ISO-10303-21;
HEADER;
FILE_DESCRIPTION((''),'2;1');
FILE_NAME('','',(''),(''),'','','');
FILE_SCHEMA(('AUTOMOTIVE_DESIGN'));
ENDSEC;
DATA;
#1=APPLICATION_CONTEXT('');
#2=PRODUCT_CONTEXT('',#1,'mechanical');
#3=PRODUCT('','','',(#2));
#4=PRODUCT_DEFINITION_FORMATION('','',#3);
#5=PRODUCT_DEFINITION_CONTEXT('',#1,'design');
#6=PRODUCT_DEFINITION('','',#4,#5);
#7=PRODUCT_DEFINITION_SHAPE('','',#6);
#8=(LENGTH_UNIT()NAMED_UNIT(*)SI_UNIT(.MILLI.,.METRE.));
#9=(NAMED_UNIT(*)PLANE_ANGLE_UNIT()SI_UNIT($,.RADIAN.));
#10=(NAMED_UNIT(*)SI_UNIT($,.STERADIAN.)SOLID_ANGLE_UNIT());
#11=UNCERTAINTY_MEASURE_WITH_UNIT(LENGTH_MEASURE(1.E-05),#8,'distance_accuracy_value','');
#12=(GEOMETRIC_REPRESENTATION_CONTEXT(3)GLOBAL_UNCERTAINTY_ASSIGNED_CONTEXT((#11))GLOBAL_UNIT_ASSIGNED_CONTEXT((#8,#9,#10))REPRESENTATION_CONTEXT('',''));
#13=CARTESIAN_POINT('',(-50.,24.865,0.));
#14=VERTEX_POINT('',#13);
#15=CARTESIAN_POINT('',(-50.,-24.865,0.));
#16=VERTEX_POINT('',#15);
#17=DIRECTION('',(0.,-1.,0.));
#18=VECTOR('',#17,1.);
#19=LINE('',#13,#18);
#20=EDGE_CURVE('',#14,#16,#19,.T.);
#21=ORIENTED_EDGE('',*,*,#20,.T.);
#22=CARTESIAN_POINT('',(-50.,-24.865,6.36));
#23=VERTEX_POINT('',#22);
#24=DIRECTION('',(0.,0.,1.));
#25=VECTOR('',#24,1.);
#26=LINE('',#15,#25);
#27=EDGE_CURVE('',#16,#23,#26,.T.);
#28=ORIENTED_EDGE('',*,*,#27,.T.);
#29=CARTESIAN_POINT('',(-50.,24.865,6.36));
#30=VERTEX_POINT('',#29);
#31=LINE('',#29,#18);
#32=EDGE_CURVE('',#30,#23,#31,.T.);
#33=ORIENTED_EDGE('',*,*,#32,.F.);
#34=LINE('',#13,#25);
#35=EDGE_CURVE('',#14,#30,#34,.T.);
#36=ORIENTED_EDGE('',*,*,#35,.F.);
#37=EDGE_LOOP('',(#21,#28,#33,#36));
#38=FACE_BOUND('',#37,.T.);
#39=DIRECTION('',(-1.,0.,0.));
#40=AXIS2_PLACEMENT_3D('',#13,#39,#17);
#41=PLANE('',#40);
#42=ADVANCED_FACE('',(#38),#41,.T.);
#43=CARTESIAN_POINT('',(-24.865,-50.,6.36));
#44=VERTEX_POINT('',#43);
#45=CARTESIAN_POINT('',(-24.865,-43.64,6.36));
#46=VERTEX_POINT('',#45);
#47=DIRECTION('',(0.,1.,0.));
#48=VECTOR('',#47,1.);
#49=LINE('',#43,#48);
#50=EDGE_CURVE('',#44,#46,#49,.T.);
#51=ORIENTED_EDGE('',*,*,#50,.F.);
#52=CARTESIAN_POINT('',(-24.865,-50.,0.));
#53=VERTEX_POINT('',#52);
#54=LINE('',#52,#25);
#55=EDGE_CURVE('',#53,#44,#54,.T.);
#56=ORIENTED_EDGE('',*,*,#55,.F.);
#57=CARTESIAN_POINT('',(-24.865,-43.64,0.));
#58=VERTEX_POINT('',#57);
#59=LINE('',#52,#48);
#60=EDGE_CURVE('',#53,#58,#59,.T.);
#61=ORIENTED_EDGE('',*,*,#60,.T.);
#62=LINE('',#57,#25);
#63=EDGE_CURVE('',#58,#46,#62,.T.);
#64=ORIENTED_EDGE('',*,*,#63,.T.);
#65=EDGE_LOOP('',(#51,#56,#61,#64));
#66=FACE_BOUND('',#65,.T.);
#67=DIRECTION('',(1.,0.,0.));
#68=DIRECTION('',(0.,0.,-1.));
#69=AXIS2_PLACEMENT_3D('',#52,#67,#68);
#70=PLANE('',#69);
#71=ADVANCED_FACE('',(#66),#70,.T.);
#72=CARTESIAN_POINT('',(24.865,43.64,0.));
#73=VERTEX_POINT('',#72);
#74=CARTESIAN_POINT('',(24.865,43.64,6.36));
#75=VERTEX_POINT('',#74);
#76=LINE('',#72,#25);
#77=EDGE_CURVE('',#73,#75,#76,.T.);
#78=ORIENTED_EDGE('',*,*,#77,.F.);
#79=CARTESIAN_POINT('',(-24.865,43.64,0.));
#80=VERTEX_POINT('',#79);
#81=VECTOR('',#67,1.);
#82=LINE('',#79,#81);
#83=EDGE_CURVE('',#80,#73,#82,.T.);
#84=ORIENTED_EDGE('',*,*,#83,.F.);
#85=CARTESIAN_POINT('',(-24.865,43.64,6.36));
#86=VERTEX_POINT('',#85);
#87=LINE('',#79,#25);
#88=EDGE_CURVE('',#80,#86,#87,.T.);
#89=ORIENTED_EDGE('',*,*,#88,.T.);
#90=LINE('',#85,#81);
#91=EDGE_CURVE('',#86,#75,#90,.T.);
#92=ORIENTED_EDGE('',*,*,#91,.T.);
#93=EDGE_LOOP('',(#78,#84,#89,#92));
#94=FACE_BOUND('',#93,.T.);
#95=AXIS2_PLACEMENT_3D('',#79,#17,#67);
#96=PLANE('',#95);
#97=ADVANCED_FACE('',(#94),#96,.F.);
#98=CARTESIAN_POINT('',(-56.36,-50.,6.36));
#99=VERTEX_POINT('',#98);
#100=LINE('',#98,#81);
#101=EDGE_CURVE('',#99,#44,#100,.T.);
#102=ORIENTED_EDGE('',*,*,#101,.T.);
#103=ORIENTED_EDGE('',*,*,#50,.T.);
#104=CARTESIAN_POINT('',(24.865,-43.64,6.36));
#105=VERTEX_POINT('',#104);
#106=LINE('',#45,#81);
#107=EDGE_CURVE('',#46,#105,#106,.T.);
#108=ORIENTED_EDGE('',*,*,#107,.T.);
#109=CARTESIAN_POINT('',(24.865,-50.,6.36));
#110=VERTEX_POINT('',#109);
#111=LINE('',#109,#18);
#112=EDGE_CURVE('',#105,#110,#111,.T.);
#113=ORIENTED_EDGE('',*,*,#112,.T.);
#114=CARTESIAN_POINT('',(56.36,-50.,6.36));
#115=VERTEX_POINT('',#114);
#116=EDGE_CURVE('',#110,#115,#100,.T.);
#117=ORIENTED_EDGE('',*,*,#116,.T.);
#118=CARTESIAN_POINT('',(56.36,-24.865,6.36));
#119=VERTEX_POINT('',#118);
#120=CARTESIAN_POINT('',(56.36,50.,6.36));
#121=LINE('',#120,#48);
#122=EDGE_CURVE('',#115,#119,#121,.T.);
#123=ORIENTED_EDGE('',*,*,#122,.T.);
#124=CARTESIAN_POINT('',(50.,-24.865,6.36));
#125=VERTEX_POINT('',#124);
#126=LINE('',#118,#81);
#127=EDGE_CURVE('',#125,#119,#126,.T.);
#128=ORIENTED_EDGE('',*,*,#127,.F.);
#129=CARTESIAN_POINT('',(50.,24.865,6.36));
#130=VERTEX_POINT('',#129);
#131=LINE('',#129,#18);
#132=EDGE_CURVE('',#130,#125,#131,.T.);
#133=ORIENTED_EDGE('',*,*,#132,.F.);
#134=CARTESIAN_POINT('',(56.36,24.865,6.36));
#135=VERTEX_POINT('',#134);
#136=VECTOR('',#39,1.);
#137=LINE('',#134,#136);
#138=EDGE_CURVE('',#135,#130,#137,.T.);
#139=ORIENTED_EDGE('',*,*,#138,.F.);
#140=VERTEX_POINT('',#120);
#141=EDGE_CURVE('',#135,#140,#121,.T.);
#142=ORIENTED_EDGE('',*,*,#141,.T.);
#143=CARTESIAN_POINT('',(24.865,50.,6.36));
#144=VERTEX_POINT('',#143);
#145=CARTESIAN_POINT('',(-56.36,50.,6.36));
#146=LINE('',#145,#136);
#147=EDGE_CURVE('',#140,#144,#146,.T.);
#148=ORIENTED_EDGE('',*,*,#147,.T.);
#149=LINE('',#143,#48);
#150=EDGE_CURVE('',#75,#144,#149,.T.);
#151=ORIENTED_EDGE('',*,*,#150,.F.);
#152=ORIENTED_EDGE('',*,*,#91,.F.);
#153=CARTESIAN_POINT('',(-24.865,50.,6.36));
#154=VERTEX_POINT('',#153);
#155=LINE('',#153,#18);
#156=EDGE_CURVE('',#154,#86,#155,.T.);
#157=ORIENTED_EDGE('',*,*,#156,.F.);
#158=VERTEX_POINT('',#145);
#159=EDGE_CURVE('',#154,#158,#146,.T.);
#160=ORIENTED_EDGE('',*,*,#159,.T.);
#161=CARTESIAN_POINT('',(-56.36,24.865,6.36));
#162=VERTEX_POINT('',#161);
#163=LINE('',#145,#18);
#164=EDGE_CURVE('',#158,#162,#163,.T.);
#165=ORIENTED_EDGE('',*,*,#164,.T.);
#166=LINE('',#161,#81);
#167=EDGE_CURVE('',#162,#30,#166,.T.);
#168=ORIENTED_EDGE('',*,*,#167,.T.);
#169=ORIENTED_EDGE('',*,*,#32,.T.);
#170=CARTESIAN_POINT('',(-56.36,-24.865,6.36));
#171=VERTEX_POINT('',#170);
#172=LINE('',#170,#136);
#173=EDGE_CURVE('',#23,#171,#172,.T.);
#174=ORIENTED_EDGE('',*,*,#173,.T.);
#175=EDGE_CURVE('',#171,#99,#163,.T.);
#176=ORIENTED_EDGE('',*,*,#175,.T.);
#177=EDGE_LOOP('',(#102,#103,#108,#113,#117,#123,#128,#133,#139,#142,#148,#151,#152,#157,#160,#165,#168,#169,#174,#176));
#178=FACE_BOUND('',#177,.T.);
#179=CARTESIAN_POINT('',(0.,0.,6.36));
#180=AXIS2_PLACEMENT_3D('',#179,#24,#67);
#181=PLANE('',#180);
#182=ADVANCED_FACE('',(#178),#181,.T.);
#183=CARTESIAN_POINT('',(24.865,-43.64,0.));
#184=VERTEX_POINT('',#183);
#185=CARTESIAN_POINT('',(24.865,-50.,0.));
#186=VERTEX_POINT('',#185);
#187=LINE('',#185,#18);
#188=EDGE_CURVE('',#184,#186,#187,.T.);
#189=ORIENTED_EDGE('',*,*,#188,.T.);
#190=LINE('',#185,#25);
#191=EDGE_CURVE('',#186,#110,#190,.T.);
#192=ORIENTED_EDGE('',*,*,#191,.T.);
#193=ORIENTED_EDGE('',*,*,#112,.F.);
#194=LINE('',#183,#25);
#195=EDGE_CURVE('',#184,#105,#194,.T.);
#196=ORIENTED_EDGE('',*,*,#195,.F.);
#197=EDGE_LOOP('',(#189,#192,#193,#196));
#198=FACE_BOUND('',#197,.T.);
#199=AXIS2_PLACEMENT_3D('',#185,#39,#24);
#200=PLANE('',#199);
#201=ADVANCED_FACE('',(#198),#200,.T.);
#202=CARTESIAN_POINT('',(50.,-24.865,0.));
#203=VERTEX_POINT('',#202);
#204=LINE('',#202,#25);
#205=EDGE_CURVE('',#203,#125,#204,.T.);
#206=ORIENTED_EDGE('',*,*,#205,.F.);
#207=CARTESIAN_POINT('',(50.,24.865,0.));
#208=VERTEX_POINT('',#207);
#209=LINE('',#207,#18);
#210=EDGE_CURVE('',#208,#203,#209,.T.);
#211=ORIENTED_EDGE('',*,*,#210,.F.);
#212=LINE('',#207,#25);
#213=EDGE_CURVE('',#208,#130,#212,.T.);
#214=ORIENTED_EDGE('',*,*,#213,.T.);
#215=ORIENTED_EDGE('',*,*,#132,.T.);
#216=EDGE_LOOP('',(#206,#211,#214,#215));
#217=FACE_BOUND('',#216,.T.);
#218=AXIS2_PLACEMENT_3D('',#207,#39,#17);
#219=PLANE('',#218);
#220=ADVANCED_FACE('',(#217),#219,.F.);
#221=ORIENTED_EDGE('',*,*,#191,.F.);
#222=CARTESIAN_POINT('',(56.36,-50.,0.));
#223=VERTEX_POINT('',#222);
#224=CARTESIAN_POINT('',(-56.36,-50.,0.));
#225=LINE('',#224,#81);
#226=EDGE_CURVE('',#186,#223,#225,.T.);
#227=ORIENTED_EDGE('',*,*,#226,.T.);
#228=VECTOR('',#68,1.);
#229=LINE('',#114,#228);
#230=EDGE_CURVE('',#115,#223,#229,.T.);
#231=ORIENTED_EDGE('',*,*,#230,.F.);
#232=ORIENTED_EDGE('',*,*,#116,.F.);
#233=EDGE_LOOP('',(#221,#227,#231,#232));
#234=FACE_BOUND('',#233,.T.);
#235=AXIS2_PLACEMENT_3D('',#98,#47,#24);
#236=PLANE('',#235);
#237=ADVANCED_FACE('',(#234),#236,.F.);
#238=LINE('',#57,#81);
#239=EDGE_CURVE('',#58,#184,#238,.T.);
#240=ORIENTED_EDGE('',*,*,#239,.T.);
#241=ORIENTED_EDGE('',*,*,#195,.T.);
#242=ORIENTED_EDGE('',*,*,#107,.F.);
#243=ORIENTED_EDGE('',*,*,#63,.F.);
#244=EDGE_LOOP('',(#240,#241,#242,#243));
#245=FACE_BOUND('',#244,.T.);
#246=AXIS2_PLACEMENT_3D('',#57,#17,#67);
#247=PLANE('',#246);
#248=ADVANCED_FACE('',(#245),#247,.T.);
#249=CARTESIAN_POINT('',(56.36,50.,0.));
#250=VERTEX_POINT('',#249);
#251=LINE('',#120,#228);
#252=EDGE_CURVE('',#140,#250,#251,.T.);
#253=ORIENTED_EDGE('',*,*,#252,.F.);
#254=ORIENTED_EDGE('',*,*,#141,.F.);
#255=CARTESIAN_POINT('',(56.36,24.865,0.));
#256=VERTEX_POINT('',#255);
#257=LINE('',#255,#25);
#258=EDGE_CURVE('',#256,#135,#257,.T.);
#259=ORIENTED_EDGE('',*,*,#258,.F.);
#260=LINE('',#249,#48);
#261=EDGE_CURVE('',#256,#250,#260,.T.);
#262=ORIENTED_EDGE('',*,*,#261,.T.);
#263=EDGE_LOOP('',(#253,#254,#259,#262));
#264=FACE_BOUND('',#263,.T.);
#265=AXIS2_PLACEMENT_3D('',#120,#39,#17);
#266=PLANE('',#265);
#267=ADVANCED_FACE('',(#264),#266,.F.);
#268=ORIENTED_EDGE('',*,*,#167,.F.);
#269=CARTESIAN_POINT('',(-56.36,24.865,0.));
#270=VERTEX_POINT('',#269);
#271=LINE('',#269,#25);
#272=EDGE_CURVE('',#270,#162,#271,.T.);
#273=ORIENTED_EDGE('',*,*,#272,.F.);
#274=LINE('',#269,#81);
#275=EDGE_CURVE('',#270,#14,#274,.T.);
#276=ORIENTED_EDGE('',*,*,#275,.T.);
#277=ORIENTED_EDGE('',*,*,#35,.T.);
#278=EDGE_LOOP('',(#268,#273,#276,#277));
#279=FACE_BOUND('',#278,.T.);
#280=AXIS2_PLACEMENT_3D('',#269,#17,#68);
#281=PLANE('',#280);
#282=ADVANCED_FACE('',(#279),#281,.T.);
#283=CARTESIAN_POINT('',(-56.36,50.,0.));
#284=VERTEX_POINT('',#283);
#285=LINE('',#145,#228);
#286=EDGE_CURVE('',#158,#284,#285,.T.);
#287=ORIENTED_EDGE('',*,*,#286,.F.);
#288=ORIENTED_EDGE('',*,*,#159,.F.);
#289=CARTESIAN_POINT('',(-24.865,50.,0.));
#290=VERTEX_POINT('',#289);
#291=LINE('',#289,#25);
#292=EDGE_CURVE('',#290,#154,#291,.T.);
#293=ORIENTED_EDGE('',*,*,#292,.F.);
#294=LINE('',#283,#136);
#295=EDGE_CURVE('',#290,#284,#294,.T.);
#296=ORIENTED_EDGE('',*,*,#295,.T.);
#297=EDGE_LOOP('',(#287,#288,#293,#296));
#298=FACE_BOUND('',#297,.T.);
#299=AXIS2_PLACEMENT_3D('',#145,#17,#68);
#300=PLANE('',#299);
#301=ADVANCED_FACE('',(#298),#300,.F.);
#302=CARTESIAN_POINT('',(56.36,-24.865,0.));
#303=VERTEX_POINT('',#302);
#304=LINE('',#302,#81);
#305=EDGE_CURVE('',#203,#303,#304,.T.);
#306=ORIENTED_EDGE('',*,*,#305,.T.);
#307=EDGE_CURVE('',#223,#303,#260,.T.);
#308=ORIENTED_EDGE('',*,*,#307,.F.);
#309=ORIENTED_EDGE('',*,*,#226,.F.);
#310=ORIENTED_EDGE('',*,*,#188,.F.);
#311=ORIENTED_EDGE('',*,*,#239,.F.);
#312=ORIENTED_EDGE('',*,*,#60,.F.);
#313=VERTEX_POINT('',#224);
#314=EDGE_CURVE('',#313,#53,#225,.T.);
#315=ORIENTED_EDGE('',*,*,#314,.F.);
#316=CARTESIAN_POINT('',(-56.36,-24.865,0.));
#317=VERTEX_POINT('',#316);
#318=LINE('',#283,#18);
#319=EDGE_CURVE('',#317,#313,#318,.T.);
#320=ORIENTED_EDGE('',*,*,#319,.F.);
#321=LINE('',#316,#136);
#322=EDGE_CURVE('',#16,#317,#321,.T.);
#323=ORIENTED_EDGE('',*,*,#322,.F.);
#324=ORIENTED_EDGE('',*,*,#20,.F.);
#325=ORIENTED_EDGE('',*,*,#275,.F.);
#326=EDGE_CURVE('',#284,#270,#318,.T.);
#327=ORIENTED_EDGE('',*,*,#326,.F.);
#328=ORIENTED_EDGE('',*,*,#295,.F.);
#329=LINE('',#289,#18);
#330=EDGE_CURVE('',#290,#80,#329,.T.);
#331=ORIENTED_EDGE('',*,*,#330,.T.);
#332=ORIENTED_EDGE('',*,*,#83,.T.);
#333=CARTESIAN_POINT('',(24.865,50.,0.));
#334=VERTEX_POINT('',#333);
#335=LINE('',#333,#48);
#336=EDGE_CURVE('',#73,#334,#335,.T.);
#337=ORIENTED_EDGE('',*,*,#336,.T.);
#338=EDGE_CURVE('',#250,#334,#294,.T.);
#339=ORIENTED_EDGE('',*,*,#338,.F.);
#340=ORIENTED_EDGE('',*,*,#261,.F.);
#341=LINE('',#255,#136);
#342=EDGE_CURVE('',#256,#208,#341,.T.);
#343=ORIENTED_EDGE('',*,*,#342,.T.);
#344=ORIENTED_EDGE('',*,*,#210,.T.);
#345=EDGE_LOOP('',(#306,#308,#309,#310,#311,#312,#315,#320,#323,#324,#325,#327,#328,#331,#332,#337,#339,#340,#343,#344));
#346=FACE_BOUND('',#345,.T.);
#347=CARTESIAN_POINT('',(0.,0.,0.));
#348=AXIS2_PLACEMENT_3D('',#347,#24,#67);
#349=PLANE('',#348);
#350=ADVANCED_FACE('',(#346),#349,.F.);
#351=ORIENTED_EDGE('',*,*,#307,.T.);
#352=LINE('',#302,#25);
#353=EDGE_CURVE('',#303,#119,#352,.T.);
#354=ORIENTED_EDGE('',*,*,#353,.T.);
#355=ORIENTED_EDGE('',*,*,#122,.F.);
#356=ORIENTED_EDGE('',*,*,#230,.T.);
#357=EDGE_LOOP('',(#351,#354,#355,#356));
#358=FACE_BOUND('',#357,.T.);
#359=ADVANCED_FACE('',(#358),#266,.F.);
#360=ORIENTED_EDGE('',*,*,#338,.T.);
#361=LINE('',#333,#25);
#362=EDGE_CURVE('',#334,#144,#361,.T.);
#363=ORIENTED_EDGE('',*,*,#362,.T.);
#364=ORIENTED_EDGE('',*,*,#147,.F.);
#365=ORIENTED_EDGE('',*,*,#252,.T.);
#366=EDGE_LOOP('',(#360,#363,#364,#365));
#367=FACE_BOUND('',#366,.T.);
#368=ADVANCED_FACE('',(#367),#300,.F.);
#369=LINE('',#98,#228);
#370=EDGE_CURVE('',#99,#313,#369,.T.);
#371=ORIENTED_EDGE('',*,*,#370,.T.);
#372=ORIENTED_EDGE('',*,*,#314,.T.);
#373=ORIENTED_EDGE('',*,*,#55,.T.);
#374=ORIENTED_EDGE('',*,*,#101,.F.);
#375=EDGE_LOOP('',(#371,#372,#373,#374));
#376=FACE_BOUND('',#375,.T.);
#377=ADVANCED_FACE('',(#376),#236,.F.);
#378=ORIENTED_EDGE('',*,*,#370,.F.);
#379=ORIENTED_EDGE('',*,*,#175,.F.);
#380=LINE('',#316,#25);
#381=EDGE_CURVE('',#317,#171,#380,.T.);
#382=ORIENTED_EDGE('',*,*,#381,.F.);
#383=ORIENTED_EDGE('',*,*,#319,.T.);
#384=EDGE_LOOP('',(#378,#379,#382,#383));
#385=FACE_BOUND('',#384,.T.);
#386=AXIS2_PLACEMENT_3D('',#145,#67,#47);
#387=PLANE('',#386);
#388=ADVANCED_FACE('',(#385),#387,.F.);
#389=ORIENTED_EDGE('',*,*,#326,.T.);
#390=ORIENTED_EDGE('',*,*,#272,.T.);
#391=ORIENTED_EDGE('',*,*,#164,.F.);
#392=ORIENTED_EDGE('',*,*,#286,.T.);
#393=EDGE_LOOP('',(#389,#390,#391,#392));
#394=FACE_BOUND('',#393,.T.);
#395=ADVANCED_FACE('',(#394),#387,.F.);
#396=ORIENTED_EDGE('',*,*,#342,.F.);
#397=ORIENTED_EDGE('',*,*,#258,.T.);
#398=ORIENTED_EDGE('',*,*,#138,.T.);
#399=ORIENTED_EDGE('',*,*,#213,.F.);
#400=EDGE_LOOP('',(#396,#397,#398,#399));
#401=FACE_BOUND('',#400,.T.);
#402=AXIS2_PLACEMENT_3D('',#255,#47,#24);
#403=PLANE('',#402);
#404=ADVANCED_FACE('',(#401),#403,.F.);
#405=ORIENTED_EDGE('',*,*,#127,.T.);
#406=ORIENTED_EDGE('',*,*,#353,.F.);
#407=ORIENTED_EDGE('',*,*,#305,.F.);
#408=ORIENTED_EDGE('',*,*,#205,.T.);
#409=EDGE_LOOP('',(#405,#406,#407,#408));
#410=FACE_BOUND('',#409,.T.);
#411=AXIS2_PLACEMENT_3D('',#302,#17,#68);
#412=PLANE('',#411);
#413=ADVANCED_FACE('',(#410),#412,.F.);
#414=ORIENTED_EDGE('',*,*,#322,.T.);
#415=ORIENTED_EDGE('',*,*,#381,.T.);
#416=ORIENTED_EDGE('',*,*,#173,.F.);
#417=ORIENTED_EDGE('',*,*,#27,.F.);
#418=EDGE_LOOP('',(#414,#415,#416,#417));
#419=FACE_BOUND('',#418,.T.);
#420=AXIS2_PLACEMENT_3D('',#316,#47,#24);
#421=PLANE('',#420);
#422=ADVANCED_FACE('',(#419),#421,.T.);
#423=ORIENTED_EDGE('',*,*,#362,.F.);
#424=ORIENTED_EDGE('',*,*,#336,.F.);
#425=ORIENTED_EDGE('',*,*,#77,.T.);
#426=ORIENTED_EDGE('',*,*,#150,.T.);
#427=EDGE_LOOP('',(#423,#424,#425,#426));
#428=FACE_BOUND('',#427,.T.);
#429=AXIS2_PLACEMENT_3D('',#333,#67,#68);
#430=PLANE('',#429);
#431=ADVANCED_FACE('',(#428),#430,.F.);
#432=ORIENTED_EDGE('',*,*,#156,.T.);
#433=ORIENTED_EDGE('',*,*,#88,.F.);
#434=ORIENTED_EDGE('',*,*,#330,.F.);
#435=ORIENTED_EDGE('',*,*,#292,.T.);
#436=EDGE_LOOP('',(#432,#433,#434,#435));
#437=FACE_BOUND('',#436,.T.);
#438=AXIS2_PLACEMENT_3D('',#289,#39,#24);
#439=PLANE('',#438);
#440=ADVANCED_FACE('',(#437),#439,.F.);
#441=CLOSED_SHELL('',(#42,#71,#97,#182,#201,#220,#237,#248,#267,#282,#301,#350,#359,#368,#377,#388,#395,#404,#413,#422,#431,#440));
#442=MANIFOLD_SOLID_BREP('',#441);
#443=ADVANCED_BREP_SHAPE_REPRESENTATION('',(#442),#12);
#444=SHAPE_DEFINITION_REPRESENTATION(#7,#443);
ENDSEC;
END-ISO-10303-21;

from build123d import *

# Parameters (mm, degrees)
SKETCH1_W           = 112.72
SKETCH1_H           = 100
BOSS_EXTRUDE1_DEPTH = 6.36
SKETCH10_W          = 49.73
SKETCH10_H          = 6.36
CUT_EXTRUDE1_DEPTH  = 76.610179209
SKETCH11_W          = 6.36
SKETCH11_H          = 49.73
CUT_EXTRUDE2_DEPTH  = 76.610179209


with BuildPart() as part:
    # Sketch1 → Boss-Extrude1 (new body)
    with BuildSketch(Plane.XY):
        Rectangle(SKETCH1_W, SKETCH1_H)
    extrude(amount=BOSS_EXTRUDE1_DEPTH)

    # Sketch10 → Cut-Extrude1 (cut, through all)
    with BuildSketch(Plane.XY.offset(6.36)):
        with Locations((0, 46.82)):
            Rectangle(SKETCH10_W, SKETCH10_H)
    cut_extrude1 = extrude(amount=-CUT_EXTRUDE1_DEPTH, mode=Mode.SUBTRACT)

    # Mirror6: Cut-Extrude1 across plane
    add(cut_extrude1.mirror(Plane.ZX), mode=Mode.SUBTRACT)

    # Sketch11 → Cut-Extrude2 (cut, through all)
    with BuildSketch(Plane.XY.offset(6.36)):
        with Locations((53.18, 0)):
            Rectangle(SKETCH11_W, SKETCH11_H)
    cut_extrude2 = extrude(amount=-CUT_EXTRUDE2_DEPTH, mode=Mode.SUBTRACT)

    # Mirror7: Cut-Extrude2 across plane
    add(cut_extrude2.mirror(Plane(origin=(0, 0, 0), x_dir=(0, 0, 1), z_dir=(1, 0, 0))), mode=Mode.SUBTRACT)


solid = part.part
